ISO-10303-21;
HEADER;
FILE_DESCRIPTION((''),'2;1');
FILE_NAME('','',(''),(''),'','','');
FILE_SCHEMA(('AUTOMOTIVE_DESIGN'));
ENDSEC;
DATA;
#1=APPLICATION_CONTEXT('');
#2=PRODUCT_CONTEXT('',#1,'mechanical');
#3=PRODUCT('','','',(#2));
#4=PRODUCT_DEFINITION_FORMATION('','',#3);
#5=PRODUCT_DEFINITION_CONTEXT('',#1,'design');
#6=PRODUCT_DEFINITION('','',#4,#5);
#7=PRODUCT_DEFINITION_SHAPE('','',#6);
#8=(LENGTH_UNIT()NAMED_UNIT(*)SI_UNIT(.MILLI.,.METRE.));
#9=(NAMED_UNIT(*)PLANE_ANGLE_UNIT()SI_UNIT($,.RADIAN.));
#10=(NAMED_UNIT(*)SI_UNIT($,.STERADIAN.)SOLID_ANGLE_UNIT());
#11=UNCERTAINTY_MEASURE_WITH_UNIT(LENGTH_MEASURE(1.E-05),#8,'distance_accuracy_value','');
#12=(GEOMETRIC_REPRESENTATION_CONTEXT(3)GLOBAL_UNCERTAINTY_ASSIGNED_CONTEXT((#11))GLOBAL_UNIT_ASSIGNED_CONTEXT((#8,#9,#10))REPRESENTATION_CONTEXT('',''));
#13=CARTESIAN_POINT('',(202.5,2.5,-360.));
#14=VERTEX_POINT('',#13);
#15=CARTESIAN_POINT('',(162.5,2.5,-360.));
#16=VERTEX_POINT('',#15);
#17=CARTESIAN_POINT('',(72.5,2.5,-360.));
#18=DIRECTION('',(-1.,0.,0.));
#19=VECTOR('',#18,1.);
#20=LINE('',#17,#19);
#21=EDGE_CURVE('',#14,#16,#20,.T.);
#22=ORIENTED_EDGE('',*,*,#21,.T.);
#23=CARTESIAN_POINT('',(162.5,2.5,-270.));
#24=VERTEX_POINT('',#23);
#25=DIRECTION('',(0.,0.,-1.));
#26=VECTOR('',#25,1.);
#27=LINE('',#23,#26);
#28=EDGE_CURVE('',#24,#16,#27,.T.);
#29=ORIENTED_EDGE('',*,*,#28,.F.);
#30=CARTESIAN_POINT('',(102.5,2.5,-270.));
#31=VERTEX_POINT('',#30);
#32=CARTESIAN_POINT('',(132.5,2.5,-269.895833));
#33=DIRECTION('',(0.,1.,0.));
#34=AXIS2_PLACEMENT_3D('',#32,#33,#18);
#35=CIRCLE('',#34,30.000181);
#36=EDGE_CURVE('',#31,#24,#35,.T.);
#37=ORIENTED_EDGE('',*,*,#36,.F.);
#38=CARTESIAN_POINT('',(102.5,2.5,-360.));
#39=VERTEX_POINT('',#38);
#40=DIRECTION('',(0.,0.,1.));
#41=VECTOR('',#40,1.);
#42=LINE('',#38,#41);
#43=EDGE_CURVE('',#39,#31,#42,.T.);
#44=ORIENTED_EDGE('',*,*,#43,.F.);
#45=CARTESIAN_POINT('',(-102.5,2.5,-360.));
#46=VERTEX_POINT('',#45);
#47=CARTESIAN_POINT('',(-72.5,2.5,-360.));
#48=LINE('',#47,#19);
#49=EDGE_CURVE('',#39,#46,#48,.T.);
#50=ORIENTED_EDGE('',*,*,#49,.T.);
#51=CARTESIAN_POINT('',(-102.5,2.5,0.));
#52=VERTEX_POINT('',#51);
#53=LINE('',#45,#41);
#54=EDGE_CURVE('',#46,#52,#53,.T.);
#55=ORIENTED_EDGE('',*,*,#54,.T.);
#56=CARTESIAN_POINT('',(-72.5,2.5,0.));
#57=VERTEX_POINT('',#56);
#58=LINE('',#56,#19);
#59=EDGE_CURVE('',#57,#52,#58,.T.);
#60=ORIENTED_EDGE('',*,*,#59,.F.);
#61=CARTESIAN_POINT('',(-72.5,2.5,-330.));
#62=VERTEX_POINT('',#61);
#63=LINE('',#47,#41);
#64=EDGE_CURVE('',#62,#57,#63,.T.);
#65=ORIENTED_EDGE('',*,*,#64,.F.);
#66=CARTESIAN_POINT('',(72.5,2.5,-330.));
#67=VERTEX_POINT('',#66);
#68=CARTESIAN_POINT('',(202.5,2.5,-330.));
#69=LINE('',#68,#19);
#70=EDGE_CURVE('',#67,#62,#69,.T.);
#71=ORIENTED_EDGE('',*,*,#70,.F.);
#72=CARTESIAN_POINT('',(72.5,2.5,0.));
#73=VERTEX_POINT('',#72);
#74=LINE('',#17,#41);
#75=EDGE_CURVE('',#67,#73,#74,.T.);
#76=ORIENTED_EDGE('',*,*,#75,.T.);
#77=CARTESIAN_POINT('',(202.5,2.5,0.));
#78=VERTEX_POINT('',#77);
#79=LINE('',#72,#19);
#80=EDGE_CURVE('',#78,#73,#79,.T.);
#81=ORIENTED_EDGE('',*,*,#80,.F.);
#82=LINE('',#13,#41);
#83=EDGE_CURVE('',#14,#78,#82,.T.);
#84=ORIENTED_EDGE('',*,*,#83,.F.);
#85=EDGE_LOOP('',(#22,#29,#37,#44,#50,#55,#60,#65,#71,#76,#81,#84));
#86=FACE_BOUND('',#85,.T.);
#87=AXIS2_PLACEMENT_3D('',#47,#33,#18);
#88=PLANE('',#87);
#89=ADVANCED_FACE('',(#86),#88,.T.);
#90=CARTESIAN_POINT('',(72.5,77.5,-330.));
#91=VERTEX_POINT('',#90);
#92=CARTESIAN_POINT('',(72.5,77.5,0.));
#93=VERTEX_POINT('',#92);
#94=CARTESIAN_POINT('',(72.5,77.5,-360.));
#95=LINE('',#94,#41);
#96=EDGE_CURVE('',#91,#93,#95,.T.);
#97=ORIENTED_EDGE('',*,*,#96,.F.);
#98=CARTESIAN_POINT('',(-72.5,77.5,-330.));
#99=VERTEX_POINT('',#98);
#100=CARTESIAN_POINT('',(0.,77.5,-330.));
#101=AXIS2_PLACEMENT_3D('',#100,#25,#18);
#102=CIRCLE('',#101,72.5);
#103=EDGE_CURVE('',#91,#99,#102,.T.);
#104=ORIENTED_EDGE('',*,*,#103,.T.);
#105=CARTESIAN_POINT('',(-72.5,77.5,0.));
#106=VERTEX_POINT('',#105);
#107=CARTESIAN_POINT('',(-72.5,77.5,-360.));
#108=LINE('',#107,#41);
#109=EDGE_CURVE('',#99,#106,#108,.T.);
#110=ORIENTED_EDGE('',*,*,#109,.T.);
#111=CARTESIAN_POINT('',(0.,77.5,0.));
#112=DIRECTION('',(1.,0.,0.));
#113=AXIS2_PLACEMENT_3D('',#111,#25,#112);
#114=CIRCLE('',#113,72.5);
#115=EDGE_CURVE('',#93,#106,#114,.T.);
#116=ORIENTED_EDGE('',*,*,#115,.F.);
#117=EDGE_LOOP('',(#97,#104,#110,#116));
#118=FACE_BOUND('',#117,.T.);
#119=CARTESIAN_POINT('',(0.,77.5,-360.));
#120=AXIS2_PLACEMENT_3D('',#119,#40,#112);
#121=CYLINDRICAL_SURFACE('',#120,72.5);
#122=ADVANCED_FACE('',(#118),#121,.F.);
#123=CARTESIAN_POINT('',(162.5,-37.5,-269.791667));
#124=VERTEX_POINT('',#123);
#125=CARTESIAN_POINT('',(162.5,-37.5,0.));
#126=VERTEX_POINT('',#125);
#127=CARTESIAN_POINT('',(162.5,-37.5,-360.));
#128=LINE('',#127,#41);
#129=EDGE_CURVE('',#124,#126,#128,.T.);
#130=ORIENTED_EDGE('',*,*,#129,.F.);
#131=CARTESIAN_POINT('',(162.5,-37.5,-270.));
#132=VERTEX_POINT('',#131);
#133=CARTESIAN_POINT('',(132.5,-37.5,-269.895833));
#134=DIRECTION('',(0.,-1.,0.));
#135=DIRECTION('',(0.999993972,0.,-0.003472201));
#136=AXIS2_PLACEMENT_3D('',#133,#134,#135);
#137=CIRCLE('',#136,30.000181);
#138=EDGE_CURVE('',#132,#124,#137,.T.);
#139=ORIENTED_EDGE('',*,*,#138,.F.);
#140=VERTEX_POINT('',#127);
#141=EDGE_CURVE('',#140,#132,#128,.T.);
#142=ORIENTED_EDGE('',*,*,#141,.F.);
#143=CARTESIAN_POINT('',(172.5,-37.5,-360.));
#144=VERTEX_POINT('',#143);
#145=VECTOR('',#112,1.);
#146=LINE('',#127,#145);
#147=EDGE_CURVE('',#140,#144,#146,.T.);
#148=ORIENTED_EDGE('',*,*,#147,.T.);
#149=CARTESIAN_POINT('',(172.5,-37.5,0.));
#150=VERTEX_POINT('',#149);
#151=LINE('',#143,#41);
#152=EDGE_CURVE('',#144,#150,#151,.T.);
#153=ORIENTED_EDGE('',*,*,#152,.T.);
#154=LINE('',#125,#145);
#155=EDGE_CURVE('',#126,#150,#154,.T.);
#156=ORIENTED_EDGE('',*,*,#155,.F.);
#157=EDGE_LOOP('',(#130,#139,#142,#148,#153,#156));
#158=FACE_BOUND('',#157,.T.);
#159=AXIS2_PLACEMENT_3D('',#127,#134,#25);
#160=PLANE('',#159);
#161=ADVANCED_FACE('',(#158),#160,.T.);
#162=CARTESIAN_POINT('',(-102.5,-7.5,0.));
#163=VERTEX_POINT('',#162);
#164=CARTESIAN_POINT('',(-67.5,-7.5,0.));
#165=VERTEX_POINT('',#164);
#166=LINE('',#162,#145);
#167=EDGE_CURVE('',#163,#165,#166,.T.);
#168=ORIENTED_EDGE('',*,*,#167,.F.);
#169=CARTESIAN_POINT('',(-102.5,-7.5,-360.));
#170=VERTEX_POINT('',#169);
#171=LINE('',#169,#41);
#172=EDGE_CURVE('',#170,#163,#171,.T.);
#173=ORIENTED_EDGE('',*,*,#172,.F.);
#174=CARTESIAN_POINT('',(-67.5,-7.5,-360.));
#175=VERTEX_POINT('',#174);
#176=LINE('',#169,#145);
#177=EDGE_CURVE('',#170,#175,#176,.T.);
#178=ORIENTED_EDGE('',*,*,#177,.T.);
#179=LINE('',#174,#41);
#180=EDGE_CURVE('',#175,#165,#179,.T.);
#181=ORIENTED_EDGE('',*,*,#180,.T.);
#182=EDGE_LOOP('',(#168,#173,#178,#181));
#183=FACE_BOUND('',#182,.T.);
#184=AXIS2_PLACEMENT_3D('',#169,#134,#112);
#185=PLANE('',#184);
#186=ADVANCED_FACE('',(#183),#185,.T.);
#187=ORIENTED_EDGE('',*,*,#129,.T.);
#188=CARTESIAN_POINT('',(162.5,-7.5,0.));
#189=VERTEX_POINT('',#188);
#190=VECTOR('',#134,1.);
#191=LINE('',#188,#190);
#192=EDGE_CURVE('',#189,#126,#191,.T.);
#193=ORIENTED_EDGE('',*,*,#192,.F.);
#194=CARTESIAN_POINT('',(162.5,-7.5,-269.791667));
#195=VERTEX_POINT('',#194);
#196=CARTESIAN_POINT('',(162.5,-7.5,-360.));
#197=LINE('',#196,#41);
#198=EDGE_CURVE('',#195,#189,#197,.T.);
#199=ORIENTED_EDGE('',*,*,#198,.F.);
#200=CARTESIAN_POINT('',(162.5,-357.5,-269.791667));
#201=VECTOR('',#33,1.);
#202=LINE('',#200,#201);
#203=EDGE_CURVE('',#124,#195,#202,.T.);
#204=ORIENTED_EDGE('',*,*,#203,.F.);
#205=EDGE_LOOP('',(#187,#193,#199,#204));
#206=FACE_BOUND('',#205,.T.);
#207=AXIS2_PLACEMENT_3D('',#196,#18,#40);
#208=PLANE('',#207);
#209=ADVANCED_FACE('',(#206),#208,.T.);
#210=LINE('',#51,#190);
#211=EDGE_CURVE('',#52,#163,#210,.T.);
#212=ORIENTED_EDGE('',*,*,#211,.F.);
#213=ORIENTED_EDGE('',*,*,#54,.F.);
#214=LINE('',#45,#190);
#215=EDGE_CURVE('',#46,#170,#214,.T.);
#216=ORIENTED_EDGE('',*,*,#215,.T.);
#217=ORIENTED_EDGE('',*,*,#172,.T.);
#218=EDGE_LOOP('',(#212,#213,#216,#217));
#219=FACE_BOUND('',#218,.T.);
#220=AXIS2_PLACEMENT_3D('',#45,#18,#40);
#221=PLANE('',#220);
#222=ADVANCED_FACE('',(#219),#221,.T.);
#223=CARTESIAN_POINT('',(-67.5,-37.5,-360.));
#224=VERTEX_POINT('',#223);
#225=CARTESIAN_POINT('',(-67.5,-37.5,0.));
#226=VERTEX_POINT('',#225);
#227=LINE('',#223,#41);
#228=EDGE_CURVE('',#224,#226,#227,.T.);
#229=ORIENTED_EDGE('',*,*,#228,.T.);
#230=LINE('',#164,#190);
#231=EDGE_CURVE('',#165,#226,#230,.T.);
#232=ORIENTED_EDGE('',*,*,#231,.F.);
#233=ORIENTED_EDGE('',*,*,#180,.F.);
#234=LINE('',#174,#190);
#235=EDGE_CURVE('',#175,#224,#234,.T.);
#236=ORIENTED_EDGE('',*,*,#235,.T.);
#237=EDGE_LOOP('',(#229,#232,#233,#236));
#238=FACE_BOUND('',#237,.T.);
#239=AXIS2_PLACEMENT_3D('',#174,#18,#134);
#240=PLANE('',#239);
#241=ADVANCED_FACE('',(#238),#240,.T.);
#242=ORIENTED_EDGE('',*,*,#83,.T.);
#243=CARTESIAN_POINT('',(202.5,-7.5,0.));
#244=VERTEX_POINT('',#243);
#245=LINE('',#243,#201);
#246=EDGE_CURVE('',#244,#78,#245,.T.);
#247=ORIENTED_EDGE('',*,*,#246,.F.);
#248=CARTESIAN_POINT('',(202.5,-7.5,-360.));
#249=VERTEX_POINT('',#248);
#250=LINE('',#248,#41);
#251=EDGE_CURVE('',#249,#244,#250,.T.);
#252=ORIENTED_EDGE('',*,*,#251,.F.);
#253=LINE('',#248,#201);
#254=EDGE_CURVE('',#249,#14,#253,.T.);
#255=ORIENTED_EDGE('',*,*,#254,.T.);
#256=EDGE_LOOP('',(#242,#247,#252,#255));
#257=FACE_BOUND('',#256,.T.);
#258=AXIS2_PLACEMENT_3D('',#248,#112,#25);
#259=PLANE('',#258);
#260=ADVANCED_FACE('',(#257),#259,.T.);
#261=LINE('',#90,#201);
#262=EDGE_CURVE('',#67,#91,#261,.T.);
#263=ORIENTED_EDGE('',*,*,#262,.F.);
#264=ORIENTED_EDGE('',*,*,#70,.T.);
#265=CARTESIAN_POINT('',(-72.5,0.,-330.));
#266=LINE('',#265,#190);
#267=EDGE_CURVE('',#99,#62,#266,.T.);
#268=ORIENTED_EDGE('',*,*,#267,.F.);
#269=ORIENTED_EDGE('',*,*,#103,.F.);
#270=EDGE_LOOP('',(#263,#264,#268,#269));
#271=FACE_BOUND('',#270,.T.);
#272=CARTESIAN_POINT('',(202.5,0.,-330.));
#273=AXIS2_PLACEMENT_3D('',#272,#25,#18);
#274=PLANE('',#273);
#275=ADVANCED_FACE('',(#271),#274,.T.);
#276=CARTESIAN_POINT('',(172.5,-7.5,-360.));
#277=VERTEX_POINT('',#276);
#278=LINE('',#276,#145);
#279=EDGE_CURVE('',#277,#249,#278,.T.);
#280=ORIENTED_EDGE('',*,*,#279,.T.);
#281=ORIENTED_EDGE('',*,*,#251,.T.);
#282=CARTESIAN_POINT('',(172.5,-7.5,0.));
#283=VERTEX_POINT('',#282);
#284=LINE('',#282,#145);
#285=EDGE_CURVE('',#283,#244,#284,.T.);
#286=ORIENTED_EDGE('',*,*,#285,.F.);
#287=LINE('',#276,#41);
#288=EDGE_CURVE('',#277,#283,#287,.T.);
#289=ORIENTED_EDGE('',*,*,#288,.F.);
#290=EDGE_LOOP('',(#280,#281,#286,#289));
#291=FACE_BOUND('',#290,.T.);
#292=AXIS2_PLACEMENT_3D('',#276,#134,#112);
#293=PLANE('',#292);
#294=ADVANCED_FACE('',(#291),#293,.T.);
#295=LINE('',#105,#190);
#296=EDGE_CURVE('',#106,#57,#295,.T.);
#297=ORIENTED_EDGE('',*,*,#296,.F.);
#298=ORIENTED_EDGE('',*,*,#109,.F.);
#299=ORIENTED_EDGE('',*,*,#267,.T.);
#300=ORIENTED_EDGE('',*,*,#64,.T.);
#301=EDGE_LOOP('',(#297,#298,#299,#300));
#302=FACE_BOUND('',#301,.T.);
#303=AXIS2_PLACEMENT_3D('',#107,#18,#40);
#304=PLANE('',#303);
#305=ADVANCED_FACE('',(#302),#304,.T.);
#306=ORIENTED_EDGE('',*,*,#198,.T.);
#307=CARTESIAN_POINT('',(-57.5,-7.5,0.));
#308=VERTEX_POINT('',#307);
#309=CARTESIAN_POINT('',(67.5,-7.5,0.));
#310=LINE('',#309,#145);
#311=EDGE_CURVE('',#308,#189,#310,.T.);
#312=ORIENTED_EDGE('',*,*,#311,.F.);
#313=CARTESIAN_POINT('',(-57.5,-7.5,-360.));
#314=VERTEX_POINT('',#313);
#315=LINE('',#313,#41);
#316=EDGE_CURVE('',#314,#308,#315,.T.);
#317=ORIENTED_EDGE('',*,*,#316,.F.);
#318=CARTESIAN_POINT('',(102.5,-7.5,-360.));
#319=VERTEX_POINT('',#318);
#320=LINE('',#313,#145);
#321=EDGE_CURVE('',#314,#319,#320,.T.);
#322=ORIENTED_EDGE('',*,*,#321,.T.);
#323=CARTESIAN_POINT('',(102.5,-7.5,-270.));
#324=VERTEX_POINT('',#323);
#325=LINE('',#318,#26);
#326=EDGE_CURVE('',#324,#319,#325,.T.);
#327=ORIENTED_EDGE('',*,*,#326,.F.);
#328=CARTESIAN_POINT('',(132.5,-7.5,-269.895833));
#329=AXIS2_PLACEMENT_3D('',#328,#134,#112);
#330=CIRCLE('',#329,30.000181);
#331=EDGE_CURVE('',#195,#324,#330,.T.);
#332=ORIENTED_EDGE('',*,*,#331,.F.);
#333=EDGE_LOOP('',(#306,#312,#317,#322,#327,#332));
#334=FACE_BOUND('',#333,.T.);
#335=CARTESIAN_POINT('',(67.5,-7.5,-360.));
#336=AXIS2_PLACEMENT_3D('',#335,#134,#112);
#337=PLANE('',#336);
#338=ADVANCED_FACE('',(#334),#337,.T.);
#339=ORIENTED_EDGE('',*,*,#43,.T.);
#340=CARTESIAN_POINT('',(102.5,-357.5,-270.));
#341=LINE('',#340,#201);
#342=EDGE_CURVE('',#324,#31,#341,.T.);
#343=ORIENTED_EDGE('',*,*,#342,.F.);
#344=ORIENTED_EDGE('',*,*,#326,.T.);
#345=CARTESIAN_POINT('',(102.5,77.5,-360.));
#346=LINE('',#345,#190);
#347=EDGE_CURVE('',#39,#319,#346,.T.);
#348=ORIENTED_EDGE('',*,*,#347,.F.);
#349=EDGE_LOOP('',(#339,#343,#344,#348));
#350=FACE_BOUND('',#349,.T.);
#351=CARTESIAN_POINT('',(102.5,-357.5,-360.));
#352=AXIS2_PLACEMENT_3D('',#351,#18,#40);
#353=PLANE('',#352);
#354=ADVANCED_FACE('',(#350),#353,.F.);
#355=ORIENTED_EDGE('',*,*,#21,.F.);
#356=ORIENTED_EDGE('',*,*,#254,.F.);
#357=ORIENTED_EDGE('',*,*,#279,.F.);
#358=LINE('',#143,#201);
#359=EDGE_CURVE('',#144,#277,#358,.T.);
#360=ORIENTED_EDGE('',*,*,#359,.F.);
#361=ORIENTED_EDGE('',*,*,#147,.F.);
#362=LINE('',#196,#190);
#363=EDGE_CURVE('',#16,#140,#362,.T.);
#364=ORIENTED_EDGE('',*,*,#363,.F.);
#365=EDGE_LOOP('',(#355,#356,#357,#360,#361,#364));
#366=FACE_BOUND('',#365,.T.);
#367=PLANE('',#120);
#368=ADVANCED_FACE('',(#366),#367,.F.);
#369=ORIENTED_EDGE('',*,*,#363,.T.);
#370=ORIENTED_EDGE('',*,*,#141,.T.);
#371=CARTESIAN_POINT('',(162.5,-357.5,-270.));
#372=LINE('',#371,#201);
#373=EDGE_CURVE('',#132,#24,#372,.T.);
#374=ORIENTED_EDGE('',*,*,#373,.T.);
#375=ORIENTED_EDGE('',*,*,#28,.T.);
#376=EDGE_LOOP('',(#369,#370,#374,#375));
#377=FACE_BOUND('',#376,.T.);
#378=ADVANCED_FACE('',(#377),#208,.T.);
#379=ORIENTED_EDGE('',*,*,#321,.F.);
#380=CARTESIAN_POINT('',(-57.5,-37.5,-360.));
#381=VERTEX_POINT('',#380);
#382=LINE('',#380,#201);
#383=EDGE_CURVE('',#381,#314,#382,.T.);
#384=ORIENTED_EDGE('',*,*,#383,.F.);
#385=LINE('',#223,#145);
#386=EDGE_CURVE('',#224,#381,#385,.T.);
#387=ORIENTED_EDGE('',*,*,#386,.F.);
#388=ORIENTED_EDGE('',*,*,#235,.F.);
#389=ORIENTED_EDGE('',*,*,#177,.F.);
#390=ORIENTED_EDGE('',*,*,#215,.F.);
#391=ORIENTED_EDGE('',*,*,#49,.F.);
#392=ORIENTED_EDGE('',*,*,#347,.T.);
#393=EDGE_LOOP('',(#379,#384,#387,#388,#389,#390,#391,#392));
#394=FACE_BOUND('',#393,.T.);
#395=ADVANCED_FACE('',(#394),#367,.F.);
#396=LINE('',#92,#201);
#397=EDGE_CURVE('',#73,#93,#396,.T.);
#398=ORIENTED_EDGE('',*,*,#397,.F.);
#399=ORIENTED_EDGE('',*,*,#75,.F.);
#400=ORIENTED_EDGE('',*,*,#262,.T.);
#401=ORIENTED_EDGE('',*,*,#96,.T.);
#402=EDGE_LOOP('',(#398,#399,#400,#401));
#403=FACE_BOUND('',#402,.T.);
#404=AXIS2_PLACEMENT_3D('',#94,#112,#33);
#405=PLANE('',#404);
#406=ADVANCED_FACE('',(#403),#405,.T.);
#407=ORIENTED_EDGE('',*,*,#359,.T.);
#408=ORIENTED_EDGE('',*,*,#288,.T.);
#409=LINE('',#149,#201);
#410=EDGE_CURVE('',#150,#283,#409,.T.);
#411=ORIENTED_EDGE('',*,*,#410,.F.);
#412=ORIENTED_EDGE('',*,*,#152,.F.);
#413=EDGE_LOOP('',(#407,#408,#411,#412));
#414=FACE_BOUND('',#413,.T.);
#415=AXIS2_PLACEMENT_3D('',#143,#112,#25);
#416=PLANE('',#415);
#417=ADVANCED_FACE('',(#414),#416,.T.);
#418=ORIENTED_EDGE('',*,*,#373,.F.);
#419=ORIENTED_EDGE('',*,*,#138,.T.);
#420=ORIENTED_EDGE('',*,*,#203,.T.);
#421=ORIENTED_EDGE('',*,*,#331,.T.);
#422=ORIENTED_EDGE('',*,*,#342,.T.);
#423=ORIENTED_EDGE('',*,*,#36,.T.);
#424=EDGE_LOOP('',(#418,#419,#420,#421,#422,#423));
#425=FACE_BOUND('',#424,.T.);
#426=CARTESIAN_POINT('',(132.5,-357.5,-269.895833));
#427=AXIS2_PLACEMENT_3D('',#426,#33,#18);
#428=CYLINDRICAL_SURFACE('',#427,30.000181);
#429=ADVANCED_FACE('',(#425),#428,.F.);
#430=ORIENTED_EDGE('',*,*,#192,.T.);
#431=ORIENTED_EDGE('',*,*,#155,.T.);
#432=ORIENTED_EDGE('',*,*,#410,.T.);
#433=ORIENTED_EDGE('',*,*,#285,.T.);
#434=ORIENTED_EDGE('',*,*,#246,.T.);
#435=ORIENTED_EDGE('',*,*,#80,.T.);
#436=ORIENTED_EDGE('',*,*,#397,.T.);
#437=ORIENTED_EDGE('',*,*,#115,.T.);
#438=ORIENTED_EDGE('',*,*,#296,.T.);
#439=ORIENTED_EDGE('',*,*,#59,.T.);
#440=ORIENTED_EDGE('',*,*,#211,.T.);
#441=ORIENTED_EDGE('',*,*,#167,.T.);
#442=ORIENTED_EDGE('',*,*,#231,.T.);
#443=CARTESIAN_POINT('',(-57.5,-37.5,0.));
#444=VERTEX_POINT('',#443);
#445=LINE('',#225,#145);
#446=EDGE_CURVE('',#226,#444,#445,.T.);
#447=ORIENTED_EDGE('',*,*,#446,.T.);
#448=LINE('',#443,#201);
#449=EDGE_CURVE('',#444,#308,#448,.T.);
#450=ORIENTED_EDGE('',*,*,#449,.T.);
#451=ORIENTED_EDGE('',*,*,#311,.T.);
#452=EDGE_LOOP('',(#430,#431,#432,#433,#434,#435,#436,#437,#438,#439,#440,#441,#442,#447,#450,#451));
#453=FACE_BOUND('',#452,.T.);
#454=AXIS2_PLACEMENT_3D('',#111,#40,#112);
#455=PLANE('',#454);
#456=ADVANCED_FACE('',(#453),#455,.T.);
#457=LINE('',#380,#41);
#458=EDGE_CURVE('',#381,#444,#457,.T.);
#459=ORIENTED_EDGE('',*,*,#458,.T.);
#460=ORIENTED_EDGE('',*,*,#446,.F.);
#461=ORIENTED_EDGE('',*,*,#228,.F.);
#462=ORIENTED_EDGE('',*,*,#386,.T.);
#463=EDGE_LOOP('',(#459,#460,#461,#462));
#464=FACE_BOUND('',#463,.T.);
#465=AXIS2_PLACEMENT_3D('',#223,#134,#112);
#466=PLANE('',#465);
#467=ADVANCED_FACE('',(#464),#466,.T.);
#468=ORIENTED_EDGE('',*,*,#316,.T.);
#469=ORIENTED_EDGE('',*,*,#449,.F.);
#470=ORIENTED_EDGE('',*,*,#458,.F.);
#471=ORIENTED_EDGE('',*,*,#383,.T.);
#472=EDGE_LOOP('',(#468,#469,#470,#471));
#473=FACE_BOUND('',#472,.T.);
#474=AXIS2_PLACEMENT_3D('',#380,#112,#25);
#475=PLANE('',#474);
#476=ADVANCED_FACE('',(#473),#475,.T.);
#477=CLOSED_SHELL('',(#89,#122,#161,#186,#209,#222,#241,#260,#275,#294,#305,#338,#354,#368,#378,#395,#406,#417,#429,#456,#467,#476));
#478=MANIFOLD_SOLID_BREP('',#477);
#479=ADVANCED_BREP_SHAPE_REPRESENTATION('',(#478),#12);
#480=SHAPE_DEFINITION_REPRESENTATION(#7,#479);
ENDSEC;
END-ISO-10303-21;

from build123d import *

# Parameters (mm, degrees)
BOSS_EXTRUDE1_DEPTH = 360
CUT_EXTRUDE1_DEPTH  = 360
SKETCH4_W           = 30
SKETCH4_H           = 75
CUT_EXTRUDE2_DEPTH  = 276


with BuildPart() as part:
    # Sketch1 → Boss-Extrude1 (new body)
    with BuildSketch(Plane.XY):
        with BuildLine():
            Line((-72.5, 2.5), (-102.5, 2.5))
            Line((-102.5, 2.5), (-102.5, -7.5))
            Line((-102.5, -7.5), (-67.5, -7.5))
            Line((-67.5, -7.5), (-67.5, -37.5))
            Line((-67.5, -37.5), (-57.5, -37.5))
            Line((-57.5, -37.5), (-57.5, -7.5))
            Line((-57.5, -7.5), (57.5, -7.5))
            Line((57.5, -7.5), (67.5, -7.5))
            Line((67.5, -7.5), (162.5, -7.5))
            Line((162.5, -7.5), (162.5, -37.5))
            Line((162.5, -37.5), (172.5, -37.5))
            Line((172.5, -37.5), (172.5, -7.5))
            Line((172.5, -7.5), (202.5, -7.5))
            Line((202.5, -7.5), (202.5, 2.5))
            Line((202.5, 2.5), (72.5, 2.5))
            Line((72.5, 2.5), (72.5, 77.5))
            ThreePointArc((72.5, 77.5), (0, 5), (-72.5, 77.5))
            Line((-72.5, 77.5), (-72.5, 2.5))
        make_face()
    extrude(amount=-BOSS_EXTRUDE1_DEPTH)

    # Sketch3 → Cut-Extrude1 (cut)
    with BuildSketch(Plane(origin=(0, 2.5, 0), x_dir=(1, 0, 0), z_dir=(0, 1, 0))):
        with BuildLine():
            Line((102.5, 360), (102.5, 270))
            ThreePointArc((102.5, 270), (132.5, 239.895652489), (162.5, 270))
            Line((162.5, 270), (162.5, 360))
            Line((162.5, 360), (102.5, 360))
        make_face()
    extrude(amount=-CUT_EXTRUDE1_DEPTH, mode=Mode.SUBTRACT)

    # Sketch4 → Cut-Extrude2 (cut, through all)
    with BuildSketch(Plane.ZY.offset(72.5)):
        with Locations((-345, 40)):
            Rectangle(SKETCH4_W, SKETCH4_H)
    extrude(amount=-CUT_EXTRUDE2_DEPTH, mode=Mode.SUBTRACT)


solid = part.part
